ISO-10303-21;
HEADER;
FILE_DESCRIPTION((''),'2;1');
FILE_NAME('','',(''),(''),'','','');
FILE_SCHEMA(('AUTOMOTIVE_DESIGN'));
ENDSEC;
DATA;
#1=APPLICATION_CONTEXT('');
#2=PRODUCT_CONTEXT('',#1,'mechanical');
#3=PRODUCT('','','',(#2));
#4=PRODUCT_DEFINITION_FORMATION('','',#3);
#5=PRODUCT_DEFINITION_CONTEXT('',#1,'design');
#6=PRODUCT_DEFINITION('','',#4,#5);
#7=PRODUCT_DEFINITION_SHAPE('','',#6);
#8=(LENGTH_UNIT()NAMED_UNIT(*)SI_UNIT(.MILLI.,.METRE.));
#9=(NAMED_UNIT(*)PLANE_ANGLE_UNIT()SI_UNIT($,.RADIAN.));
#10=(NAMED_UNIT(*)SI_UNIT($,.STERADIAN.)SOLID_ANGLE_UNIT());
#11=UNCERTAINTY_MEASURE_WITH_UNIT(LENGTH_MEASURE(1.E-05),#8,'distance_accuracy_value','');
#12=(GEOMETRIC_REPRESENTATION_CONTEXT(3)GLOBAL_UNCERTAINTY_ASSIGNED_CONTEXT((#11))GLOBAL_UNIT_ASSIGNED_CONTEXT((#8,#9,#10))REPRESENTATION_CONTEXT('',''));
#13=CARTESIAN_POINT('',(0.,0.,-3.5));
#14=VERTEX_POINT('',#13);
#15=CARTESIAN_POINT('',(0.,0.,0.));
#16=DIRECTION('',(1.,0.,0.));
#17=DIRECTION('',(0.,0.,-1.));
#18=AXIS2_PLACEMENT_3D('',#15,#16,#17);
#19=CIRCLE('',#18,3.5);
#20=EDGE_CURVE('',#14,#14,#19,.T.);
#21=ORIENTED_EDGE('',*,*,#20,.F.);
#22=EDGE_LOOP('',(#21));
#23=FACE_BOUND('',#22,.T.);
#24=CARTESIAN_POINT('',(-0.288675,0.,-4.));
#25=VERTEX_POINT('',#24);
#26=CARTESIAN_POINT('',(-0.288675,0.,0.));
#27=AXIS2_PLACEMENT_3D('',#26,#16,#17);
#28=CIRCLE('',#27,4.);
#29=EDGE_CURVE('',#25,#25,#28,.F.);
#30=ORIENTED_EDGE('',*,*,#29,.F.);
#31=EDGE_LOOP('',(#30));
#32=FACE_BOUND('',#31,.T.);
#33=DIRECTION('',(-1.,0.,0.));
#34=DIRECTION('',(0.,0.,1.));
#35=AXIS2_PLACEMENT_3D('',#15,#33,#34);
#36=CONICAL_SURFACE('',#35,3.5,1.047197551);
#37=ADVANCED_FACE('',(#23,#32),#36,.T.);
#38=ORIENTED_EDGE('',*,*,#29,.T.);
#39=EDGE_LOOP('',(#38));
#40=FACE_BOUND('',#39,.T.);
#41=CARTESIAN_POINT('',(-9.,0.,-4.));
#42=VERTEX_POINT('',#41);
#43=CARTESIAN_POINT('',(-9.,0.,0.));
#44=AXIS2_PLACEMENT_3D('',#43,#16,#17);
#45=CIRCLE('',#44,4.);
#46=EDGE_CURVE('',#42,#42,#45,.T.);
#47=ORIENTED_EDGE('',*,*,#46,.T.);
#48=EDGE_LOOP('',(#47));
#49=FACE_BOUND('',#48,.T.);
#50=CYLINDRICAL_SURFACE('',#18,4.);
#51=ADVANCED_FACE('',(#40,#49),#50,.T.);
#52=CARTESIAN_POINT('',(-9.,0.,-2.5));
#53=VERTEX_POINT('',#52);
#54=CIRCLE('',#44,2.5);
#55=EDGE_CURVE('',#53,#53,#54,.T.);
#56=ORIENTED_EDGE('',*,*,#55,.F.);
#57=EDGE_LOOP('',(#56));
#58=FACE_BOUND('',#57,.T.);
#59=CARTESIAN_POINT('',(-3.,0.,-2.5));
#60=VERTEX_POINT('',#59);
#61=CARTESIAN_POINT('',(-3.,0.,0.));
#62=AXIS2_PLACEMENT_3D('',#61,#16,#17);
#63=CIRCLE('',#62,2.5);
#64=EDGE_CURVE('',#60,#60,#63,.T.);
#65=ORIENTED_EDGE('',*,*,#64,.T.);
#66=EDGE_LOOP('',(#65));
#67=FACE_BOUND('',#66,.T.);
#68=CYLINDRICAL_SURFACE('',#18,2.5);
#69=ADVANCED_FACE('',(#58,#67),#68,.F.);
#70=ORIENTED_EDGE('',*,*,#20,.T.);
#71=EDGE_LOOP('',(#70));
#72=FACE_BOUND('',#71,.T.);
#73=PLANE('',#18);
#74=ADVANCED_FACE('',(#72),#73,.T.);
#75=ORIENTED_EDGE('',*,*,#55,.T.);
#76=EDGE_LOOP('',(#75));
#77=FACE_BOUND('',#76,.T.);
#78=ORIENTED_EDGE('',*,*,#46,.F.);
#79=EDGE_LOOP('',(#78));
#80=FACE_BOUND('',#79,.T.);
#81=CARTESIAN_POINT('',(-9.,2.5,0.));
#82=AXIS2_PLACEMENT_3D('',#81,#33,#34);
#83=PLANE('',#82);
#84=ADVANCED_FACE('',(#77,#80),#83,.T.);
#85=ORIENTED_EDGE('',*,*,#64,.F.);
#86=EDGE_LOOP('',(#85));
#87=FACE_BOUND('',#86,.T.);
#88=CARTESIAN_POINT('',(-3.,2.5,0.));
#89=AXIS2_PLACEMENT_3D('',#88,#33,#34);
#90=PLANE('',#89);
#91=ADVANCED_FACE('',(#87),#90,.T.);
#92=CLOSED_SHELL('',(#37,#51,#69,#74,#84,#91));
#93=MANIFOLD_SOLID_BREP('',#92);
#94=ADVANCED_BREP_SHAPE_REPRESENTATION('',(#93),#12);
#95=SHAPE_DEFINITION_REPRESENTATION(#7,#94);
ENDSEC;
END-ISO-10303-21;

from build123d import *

# Parameters (mm, degrees)
CHAMFER1_SIZE  = 0.5
CHAMFER1_SIZE2 = 0.288675135


with BuildPart() as part:
    # Sketch1 → Revolve2 (revolve)
    with BuildSketch(Plane.XY, mode=Mode.PRIVATE) as revolve2_sk:
        Polygon((-3, 2.5), (-9, 2.5), (-9, 4), (0, 4), (0, 0), (-3, 0), align=None)
    revolve(revolve2_sk.sketch.rotate(Axis((0, 0, 0), (-1, 0, 0)), 90), axis=Axis((0, 0, 0), (-1, 0, 0)))

    # Chamfer1
    chamfer1_edges = [part.edges().sort_by_distance(p)[0] for p in [
        (0, 0, 4),
    ]]
    chamfer1_side = [part.faces().sort_by_distance(p)[0] for p in [
        (0, 0, 0),
    ]]
    chamfer(chamfer1_edges, length=CHAMFER1_SIZE, length2=CHAMFER1_SIZE2, reference=chamfer1_side[0])


solid = part.part
